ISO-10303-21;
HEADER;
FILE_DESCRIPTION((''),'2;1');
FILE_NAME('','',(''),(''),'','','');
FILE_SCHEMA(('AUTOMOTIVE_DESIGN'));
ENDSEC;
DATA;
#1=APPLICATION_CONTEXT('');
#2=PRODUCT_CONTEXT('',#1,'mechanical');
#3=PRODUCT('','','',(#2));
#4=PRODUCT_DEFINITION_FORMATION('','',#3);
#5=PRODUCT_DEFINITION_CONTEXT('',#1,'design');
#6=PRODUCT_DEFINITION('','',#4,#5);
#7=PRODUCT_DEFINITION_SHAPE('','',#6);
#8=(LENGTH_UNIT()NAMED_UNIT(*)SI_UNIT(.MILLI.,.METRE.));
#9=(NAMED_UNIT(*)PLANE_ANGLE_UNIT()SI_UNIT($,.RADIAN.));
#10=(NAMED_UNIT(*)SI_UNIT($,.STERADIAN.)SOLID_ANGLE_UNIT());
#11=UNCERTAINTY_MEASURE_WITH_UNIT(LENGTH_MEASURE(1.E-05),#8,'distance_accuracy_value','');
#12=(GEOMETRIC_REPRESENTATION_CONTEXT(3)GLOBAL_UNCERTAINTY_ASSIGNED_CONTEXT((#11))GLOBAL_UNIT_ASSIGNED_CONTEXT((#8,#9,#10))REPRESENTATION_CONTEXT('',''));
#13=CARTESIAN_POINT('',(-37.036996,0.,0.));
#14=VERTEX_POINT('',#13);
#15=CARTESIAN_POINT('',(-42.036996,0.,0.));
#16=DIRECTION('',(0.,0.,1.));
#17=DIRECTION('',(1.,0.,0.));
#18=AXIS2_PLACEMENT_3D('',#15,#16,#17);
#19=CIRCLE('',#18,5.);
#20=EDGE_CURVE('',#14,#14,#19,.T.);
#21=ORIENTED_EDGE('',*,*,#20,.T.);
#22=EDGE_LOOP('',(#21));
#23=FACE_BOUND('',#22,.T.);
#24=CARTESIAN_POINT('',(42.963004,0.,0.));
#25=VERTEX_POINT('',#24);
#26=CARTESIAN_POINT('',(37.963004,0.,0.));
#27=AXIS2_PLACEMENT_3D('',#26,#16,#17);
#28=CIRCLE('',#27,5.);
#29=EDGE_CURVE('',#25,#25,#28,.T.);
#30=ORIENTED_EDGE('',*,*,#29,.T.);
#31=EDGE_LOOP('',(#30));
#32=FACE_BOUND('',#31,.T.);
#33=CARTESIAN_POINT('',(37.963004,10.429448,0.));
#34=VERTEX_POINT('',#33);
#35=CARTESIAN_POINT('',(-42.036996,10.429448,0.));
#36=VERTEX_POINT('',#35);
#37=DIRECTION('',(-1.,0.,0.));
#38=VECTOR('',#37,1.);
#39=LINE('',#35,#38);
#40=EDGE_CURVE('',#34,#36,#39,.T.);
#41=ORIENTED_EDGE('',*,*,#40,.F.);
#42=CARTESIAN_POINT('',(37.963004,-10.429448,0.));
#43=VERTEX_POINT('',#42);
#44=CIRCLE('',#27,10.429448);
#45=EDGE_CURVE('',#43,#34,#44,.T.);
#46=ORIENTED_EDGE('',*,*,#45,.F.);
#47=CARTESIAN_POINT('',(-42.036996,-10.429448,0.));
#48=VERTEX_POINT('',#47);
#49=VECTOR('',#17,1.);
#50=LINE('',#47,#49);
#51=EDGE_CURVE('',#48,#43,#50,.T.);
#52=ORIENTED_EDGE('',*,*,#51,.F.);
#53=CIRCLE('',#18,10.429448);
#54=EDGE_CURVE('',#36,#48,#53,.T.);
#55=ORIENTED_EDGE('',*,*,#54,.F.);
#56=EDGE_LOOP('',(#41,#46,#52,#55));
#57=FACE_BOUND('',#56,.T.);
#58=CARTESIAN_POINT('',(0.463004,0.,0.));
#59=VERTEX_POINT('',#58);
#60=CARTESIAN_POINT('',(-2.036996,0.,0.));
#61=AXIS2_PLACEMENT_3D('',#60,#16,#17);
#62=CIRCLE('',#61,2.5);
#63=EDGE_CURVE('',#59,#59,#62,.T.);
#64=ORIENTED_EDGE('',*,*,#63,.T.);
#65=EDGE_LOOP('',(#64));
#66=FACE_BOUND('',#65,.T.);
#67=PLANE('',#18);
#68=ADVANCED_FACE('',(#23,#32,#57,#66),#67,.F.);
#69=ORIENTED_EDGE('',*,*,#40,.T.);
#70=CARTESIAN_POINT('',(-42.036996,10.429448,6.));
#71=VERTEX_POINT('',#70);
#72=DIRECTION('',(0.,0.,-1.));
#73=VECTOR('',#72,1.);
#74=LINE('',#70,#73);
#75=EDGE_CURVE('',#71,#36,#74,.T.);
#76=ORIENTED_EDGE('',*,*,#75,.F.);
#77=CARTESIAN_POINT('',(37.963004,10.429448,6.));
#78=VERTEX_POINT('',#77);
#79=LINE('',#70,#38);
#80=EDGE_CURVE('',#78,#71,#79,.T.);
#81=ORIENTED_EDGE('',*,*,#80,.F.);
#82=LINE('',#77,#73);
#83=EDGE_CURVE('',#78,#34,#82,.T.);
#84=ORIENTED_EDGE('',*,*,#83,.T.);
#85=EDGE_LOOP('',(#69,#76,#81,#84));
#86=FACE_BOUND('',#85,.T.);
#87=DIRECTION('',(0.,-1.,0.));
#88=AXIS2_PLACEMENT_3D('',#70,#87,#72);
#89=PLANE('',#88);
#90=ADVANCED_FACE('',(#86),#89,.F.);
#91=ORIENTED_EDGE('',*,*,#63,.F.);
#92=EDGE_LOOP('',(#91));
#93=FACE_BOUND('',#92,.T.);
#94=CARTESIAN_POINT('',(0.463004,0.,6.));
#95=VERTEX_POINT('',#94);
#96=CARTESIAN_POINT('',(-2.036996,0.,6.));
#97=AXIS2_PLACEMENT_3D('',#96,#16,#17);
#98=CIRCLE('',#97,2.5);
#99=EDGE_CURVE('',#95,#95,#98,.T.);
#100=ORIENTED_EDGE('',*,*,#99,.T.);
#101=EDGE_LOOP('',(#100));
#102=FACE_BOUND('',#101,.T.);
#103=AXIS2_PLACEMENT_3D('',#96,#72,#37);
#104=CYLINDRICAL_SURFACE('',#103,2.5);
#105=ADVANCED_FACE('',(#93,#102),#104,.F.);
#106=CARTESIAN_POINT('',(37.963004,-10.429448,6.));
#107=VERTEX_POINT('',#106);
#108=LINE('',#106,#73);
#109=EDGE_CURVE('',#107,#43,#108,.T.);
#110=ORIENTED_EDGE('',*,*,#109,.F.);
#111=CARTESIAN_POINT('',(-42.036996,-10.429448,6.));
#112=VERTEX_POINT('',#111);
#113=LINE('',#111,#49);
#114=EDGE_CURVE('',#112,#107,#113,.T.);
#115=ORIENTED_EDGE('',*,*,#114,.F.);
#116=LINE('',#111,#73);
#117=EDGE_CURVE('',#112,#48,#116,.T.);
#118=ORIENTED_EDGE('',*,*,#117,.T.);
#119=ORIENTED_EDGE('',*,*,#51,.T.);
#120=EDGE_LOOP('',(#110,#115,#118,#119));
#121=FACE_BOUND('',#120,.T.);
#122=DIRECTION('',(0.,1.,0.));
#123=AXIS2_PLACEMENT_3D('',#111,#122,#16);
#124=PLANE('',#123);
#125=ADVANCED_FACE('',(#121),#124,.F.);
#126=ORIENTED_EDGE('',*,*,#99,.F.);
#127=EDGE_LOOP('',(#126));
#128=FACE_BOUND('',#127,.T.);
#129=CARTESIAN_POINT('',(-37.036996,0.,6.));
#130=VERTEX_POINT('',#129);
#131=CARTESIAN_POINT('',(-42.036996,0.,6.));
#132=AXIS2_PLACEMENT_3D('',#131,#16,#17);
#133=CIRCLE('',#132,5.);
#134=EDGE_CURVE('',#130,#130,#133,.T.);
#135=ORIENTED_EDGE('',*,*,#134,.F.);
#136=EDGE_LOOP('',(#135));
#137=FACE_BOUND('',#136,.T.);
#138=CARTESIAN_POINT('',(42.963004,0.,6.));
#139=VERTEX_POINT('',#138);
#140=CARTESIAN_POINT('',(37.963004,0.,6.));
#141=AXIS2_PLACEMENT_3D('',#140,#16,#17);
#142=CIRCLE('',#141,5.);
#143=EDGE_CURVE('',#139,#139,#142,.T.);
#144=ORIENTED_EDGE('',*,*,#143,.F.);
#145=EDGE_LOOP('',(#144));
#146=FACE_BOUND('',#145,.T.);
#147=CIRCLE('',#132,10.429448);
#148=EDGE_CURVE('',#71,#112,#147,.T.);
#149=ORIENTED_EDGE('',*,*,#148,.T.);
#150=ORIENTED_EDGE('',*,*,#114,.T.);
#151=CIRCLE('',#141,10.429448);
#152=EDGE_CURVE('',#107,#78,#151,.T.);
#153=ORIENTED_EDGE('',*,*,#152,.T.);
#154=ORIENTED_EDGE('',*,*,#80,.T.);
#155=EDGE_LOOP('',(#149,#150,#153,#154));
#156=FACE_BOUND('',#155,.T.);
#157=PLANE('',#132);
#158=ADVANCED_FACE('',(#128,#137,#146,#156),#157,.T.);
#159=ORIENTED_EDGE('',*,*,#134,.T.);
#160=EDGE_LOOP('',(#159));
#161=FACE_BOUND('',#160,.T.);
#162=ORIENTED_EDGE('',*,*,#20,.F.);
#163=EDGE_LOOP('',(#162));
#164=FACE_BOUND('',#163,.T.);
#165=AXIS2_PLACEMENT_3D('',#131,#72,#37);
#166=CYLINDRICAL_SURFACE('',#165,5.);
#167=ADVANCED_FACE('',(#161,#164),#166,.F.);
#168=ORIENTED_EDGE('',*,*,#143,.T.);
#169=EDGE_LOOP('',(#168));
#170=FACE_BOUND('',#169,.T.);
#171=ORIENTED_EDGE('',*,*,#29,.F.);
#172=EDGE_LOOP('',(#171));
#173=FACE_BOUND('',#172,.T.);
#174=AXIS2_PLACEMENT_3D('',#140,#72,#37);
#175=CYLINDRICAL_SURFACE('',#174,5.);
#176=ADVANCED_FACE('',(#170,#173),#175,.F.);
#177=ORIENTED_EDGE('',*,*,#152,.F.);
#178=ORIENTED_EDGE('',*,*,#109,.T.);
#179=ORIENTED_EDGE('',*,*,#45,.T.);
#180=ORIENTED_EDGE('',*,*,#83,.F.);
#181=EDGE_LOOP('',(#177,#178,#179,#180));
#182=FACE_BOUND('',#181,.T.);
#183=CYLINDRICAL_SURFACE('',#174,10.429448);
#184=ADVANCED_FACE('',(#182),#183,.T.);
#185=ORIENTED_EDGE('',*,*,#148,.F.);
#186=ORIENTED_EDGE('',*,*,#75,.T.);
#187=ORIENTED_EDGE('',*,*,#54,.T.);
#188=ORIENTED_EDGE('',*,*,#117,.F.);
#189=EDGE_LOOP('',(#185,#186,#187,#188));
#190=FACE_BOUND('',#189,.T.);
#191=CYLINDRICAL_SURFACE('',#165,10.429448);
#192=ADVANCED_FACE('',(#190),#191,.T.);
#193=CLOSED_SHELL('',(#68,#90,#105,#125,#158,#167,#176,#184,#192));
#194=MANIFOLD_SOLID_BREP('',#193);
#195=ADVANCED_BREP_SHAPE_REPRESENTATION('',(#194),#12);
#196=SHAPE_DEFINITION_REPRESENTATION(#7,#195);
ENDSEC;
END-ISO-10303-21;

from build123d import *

# Parameters (mm, degrees)
CROQUIS1_R              = 5
CROQUIS1_R_2            = 2.5
SALIENTE_EXTRUIR1_DEPTH = 6


with BuildPart() as part:
    # Croquis1 → Saliente-Extruir1 (new body)
    with BuildSketch(Plane.XY):
        with BuildLine():
            Line((-42.03699633, 10.429447853), (37.96300367, 10.429447853))
            ThreePointArc((37.96300367, 10.429447853), (48.392451523, 0), (37.96300367, -10.429447853))
            Line((37.96300367, -10.429447853), (-42.03699633, -10.429447853))
            ThreePointArc((-42.03699633, -10.429447853), (-52.466444182, 0), (-42.03699633, 10.429447853))
        make_face()
        with Locations((-42.03699633, 0)):
            Circle(CROQUIS1_R, mode=Mode.SUBTRACT)
        with Locations((37.96300367, 0)):
            Circle(CROQUIS1_R, mode=Mode.SUBTRACT)
        with Locations((-2.03699633, 0)):
            Circle(CROQUIS1_R_2, mode=Mode.SUBTRACT)
    extrude(amount=SALIENTE_EXTRUIR1_DEPTH)


solid = part.part
